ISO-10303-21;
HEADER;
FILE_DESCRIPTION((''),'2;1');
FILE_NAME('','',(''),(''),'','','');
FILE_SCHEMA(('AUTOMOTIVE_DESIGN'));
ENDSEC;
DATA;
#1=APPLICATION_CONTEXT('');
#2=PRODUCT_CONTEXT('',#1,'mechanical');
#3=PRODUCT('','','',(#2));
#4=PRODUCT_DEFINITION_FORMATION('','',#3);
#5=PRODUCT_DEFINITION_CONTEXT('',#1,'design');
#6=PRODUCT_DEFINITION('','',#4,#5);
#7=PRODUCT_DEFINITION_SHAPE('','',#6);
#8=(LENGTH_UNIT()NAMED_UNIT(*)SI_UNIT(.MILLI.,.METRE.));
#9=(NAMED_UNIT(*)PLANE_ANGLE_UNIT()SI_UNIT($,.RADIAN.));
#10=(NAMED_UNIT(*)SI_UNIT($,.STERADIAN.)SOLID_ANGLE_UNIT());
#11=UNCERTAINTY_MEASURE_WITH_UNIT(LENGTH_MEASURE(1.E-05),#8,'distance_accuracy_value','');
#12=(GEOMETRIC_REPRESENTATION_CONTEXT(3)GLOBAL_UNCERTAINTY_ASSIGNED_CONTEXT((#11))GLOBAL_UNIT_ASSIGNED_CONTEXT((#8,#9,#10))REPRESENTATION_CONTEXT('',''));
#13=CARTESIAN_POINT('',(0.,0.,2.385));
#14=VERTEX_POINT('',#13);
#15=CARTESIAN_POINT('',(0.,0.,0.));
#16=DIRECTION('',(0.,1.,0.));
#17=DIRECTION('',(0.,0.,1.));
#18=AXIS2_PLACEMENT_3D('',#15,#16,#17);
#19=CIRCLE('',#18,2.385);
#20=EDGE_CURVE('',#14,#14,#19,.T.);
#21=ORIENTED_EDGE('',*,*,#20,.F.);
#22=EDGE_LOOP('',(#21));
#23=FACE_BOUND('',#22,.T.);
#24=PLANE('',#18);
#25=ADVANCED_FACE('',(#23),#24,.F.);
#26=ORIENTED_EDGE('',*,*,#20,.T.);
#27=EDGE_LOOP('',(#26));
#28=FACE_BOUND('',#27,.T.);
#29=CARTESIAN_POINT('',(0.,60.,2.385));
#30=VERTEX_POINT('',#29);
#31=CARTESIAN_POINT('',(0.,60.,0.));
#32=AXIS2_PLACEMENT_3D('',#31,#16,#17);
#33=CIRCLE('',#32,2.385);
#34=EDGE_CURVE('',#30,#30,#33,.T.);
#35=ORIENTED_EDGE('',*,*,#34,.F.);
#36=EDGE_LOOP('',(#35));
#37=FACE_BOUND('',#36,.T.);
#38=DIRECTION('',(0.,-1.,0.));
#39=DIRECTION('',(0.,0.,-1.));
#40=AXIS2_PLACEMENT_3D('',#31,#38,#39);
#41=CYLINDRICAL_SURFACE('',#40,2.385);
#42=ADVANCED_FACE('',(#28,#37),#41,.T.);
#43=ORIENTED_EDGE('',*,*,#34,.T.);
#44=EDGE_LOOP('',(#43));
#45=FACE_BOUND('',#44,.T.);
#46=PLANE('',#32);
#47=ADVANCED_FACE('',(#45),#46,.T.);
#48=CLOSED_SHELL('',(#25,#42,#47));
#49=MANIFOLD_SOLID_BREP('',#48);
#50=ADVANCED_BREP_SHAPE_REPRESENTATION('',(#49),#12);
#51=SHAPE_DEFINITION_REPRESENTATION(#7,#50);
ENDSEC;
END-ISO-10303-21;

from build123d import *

# Parameters (mm, degrees)
ESBO_O1_R                = 2.385
RESSALTO_EXTRUS_O2_DEPTH = 60


with BuildPart() as part:
    # Esboço1 → Ressalto-extrusão2 (new body)
    with BuildSketch(Plane(origin=(0, 0, 0), x_dir=(1, 0, 0), z_dir=(0, 1, 0))):
        with Locations(Location((0, 0, 0), (0, 0, 270))):
            Circle(ESBO_O1_R)
    extrude(amount=RESSALTO_EXTRUS_O2_DEPTH)


solid = part.part
